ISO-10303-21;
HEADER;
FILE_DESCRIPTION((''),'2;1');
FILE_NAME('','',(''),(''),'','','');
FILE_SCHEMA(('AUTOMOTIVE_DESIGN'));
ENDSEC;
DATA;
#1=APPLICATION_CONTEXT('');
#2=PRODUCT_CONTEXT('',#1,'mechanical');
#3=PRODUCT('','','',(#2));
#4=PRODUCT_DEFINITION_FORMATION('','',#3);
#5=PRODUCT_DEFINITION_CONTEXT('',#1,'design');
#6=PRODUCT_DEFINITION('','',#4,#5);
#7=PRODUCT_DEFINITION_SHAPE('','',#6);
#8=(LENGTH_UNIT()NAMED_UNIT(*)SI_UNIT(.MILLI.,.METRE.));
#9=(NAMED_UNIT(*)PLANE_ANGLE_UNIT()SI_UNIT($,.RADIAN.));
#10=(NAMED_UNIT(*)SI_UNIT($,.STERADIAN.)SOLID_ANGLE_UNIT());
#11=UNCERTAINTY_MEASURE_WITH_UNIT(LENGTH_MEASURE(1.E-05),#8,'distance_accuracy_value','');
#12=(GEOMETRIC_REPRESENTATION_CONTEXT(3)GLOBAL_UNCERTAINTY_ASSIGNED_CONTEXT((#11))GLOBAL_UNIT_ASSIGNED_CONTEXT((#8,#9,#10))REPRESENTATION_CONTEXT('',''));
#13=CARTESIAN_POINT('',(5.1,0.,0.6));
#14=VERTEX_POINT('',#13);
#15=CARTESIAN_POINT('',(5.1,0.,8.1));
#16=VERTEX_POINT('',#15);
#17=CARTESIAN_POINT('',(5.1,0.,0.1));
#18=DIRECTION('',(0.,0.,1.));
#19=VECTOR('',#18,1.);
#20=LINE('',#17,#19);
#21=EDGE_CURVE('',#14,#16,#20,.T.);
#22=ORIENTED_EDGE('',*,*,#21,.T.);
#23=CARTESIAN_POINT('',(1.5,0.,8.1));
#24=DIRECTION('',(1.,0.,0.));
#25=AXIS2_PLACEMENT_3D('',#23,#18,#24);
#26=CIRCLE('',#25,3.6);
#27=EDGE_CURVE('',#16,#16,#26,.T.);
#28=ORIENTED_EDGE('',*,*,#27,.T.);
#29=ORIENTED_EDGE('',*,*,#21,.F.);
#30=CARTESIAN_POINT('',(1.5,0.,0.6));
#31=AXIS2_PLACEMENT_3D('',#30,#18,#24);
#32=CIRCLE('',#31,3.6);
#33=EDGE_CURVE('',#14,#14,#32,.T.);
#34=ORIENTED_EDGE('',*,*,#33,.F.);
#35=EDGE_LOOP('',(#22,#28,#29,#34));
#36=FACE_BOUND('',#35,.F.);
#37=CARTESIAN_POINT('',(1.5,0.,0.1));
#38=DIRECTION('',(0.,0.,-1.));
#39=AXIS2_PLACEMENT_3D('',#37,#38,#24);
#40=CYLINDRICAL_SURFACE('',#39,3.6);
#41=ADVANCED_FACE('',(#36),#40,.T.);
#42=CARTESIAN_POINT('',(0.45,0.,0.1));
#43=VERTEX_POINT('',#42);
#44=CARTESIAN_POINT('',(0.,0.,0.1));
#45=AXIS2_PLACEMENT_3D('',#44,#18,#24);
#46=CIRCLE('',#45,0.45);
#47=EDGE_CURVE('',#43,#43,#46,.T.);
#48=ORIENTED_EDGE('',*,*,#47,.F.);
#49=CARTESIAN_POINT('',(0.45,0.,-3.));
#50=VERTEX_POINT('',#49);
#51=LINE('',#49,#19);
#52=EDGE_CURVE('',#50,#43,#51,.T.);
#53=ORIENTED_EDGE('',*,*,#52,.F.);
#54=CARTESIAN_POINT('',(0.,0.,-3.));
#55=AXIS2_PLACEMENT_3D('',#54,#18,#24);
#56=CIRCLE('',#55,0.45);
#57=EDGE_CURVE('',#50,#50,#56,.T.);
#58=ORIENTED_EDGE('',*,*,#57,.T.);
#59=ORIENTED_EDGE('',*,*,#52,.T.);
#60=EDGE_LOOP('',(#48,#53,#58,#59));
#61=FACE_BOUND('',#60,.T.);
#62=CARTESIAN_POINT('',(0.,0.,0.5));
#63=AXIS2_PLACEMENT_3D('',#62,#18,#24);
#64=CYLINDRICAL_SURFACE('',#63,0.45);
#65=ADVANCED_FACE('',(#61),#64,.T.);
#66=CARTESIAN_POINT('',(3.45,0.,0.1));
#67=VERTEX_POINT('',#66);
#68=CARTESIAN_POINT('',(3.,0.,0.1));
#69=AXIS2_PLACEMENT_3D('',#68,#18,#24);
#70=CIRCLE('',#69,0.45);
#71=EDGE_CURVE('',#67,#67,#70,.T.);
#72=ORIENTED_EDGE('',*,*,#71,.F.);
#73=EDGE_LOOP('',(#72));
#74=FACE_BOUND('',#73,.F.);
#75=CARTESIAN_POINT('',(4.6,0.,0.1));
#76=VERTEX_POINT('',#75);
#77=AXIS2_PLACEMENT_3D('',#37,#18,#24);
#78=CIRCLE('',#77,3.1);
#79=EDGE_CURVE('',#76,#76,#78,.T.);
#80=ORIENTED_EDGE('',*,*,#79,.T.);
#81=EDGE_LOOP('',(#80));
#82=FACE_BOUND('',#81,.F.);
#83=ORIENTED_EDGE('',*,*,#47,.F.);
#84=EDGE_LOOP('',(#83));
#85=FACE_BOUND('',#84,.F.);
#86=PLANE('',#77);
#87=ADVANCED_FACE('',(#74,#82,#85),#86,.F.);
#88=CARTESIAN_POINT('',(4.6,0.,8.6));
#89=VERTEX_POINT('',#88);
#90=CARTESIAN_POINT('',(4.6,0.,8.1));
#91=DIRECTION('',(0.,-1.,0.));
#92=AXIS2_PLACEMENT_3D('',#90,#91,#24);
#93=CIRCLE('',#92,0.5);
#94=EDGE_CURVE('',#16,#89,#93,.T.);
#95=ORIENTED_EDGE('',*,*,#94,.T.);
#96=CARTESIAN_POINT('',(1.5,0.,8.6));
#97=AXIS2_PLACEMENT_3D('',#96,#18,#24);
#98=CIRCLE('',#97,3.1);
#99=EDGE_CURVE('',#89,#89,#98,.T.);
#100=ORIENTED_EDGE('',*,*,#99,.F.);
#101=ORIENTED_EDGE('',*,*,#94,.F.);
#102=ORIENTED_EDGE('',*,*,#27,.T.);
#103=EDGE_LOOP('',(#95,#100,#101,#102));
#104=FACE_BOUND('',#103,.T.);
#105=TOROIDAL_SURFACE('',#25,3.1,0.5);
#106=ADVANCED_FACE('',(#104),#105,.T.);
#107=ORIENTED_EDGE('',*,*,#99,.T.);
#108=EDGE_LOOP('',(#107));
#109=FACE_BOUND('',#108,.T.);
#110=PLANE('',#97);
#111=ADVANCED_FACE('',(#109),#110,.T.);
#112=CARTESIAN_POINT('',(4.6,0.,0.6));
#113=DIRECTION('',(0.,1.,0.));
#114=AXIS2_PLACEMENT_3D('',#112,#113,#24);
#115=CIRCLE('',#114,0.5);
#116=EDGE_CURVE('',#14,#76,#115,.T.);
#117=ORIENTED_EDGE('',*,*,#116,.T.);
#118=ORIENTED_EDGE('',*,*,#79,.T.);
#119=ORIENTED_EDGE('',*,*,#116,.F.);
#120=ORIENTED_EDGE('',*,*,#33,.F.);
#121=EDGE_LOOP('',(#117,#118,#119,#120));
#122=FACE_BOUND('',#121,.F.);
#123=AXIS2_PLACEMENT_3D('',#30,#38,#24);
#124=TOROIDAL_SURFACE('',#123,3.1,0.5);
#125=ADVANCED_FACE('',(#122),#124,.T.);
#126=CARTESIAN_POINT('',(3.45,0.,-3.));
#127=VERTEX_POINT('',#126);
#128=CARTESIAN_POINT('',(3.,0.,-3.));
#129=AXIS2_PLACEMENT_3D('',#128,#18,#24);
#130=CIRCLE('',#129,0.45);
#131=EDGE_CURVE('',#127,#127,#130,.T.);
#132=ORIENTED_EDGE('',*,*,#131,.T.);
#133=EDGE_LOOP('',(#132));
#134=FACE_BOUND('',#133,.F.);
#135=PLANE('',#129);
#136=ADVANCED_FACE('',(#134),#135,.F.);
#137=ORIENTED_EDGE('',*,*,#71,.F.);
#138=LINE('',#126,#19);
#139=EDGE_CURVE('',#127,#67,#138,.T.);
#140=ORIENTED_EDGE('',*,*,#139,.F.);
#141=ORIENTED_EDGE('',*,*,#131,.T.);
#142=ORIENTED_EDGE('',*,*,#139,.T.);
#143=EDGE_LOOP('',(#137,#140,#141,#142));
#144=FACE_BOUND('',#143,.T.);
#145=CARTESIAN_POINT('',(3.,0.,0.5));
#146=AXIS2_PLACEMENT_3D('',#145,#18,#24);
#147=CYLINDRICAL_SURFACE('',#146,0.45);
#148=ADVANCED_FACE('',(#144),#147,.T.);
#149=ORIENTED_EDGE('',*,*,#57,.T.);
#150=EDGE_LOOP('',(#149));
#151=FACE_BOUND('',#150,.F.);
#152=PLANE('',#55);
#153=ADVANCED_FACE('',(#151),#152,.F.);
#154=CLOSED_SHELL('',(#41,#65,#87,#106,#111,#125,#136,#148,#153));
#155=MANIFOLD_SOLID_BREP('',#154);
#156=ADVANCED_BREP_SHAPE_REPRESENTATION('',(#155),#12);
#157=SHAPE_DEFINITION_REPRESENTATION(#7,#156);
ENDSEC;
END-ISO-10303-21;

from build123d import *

# Parameters (mm, degrees)
SKETCH_R          = 3.6
PAD_DEPTH         = 8.5
FILLET_R          = 0.5
SKETCH001_R       = 0.45
PAD001_DEPTH      = 4.25
PAD001_DEPTH_BACK = 3.5


with BuildPart() as fillet_body:
    # Sketch → Pad (new body)
    with BuildSketch(Plane.XY.offset(0.1)):
        with Locations((1.5, 0)):
            Circle(SKETCH_R)
    extrude(amount=PAD_DEPTH)

    # Fillet
    fillet_edges = [fillet_body.edges().sort_by_distance(p)[0] for p in [
        (-2.1, 0, 0.1),
        (-2.1, 0, 8.6),
    ]]
    fillet(fillet_edges, radius=FILLET_R)


with BuildPart() as pad001_mp_cp:
    # Sketch001 → Pad001 (new body, two sides)
    with BuildSketch(Plane.XY.offset(0.5)) as pad001_sk:
        Circle(SKETCH001_R)
        with Locations((3, 0)):
            Circle(SKETCH001_R)
    extrude(amount=PAD001_DEPTH)
    extrude(pad001_sk.sketch, amount=-PAD001_DEPTH_BACK)

    # Pad001_mp_cp: union Fillet body
    add(fillet_body.part)


solid = pad001_mp_cp.part
